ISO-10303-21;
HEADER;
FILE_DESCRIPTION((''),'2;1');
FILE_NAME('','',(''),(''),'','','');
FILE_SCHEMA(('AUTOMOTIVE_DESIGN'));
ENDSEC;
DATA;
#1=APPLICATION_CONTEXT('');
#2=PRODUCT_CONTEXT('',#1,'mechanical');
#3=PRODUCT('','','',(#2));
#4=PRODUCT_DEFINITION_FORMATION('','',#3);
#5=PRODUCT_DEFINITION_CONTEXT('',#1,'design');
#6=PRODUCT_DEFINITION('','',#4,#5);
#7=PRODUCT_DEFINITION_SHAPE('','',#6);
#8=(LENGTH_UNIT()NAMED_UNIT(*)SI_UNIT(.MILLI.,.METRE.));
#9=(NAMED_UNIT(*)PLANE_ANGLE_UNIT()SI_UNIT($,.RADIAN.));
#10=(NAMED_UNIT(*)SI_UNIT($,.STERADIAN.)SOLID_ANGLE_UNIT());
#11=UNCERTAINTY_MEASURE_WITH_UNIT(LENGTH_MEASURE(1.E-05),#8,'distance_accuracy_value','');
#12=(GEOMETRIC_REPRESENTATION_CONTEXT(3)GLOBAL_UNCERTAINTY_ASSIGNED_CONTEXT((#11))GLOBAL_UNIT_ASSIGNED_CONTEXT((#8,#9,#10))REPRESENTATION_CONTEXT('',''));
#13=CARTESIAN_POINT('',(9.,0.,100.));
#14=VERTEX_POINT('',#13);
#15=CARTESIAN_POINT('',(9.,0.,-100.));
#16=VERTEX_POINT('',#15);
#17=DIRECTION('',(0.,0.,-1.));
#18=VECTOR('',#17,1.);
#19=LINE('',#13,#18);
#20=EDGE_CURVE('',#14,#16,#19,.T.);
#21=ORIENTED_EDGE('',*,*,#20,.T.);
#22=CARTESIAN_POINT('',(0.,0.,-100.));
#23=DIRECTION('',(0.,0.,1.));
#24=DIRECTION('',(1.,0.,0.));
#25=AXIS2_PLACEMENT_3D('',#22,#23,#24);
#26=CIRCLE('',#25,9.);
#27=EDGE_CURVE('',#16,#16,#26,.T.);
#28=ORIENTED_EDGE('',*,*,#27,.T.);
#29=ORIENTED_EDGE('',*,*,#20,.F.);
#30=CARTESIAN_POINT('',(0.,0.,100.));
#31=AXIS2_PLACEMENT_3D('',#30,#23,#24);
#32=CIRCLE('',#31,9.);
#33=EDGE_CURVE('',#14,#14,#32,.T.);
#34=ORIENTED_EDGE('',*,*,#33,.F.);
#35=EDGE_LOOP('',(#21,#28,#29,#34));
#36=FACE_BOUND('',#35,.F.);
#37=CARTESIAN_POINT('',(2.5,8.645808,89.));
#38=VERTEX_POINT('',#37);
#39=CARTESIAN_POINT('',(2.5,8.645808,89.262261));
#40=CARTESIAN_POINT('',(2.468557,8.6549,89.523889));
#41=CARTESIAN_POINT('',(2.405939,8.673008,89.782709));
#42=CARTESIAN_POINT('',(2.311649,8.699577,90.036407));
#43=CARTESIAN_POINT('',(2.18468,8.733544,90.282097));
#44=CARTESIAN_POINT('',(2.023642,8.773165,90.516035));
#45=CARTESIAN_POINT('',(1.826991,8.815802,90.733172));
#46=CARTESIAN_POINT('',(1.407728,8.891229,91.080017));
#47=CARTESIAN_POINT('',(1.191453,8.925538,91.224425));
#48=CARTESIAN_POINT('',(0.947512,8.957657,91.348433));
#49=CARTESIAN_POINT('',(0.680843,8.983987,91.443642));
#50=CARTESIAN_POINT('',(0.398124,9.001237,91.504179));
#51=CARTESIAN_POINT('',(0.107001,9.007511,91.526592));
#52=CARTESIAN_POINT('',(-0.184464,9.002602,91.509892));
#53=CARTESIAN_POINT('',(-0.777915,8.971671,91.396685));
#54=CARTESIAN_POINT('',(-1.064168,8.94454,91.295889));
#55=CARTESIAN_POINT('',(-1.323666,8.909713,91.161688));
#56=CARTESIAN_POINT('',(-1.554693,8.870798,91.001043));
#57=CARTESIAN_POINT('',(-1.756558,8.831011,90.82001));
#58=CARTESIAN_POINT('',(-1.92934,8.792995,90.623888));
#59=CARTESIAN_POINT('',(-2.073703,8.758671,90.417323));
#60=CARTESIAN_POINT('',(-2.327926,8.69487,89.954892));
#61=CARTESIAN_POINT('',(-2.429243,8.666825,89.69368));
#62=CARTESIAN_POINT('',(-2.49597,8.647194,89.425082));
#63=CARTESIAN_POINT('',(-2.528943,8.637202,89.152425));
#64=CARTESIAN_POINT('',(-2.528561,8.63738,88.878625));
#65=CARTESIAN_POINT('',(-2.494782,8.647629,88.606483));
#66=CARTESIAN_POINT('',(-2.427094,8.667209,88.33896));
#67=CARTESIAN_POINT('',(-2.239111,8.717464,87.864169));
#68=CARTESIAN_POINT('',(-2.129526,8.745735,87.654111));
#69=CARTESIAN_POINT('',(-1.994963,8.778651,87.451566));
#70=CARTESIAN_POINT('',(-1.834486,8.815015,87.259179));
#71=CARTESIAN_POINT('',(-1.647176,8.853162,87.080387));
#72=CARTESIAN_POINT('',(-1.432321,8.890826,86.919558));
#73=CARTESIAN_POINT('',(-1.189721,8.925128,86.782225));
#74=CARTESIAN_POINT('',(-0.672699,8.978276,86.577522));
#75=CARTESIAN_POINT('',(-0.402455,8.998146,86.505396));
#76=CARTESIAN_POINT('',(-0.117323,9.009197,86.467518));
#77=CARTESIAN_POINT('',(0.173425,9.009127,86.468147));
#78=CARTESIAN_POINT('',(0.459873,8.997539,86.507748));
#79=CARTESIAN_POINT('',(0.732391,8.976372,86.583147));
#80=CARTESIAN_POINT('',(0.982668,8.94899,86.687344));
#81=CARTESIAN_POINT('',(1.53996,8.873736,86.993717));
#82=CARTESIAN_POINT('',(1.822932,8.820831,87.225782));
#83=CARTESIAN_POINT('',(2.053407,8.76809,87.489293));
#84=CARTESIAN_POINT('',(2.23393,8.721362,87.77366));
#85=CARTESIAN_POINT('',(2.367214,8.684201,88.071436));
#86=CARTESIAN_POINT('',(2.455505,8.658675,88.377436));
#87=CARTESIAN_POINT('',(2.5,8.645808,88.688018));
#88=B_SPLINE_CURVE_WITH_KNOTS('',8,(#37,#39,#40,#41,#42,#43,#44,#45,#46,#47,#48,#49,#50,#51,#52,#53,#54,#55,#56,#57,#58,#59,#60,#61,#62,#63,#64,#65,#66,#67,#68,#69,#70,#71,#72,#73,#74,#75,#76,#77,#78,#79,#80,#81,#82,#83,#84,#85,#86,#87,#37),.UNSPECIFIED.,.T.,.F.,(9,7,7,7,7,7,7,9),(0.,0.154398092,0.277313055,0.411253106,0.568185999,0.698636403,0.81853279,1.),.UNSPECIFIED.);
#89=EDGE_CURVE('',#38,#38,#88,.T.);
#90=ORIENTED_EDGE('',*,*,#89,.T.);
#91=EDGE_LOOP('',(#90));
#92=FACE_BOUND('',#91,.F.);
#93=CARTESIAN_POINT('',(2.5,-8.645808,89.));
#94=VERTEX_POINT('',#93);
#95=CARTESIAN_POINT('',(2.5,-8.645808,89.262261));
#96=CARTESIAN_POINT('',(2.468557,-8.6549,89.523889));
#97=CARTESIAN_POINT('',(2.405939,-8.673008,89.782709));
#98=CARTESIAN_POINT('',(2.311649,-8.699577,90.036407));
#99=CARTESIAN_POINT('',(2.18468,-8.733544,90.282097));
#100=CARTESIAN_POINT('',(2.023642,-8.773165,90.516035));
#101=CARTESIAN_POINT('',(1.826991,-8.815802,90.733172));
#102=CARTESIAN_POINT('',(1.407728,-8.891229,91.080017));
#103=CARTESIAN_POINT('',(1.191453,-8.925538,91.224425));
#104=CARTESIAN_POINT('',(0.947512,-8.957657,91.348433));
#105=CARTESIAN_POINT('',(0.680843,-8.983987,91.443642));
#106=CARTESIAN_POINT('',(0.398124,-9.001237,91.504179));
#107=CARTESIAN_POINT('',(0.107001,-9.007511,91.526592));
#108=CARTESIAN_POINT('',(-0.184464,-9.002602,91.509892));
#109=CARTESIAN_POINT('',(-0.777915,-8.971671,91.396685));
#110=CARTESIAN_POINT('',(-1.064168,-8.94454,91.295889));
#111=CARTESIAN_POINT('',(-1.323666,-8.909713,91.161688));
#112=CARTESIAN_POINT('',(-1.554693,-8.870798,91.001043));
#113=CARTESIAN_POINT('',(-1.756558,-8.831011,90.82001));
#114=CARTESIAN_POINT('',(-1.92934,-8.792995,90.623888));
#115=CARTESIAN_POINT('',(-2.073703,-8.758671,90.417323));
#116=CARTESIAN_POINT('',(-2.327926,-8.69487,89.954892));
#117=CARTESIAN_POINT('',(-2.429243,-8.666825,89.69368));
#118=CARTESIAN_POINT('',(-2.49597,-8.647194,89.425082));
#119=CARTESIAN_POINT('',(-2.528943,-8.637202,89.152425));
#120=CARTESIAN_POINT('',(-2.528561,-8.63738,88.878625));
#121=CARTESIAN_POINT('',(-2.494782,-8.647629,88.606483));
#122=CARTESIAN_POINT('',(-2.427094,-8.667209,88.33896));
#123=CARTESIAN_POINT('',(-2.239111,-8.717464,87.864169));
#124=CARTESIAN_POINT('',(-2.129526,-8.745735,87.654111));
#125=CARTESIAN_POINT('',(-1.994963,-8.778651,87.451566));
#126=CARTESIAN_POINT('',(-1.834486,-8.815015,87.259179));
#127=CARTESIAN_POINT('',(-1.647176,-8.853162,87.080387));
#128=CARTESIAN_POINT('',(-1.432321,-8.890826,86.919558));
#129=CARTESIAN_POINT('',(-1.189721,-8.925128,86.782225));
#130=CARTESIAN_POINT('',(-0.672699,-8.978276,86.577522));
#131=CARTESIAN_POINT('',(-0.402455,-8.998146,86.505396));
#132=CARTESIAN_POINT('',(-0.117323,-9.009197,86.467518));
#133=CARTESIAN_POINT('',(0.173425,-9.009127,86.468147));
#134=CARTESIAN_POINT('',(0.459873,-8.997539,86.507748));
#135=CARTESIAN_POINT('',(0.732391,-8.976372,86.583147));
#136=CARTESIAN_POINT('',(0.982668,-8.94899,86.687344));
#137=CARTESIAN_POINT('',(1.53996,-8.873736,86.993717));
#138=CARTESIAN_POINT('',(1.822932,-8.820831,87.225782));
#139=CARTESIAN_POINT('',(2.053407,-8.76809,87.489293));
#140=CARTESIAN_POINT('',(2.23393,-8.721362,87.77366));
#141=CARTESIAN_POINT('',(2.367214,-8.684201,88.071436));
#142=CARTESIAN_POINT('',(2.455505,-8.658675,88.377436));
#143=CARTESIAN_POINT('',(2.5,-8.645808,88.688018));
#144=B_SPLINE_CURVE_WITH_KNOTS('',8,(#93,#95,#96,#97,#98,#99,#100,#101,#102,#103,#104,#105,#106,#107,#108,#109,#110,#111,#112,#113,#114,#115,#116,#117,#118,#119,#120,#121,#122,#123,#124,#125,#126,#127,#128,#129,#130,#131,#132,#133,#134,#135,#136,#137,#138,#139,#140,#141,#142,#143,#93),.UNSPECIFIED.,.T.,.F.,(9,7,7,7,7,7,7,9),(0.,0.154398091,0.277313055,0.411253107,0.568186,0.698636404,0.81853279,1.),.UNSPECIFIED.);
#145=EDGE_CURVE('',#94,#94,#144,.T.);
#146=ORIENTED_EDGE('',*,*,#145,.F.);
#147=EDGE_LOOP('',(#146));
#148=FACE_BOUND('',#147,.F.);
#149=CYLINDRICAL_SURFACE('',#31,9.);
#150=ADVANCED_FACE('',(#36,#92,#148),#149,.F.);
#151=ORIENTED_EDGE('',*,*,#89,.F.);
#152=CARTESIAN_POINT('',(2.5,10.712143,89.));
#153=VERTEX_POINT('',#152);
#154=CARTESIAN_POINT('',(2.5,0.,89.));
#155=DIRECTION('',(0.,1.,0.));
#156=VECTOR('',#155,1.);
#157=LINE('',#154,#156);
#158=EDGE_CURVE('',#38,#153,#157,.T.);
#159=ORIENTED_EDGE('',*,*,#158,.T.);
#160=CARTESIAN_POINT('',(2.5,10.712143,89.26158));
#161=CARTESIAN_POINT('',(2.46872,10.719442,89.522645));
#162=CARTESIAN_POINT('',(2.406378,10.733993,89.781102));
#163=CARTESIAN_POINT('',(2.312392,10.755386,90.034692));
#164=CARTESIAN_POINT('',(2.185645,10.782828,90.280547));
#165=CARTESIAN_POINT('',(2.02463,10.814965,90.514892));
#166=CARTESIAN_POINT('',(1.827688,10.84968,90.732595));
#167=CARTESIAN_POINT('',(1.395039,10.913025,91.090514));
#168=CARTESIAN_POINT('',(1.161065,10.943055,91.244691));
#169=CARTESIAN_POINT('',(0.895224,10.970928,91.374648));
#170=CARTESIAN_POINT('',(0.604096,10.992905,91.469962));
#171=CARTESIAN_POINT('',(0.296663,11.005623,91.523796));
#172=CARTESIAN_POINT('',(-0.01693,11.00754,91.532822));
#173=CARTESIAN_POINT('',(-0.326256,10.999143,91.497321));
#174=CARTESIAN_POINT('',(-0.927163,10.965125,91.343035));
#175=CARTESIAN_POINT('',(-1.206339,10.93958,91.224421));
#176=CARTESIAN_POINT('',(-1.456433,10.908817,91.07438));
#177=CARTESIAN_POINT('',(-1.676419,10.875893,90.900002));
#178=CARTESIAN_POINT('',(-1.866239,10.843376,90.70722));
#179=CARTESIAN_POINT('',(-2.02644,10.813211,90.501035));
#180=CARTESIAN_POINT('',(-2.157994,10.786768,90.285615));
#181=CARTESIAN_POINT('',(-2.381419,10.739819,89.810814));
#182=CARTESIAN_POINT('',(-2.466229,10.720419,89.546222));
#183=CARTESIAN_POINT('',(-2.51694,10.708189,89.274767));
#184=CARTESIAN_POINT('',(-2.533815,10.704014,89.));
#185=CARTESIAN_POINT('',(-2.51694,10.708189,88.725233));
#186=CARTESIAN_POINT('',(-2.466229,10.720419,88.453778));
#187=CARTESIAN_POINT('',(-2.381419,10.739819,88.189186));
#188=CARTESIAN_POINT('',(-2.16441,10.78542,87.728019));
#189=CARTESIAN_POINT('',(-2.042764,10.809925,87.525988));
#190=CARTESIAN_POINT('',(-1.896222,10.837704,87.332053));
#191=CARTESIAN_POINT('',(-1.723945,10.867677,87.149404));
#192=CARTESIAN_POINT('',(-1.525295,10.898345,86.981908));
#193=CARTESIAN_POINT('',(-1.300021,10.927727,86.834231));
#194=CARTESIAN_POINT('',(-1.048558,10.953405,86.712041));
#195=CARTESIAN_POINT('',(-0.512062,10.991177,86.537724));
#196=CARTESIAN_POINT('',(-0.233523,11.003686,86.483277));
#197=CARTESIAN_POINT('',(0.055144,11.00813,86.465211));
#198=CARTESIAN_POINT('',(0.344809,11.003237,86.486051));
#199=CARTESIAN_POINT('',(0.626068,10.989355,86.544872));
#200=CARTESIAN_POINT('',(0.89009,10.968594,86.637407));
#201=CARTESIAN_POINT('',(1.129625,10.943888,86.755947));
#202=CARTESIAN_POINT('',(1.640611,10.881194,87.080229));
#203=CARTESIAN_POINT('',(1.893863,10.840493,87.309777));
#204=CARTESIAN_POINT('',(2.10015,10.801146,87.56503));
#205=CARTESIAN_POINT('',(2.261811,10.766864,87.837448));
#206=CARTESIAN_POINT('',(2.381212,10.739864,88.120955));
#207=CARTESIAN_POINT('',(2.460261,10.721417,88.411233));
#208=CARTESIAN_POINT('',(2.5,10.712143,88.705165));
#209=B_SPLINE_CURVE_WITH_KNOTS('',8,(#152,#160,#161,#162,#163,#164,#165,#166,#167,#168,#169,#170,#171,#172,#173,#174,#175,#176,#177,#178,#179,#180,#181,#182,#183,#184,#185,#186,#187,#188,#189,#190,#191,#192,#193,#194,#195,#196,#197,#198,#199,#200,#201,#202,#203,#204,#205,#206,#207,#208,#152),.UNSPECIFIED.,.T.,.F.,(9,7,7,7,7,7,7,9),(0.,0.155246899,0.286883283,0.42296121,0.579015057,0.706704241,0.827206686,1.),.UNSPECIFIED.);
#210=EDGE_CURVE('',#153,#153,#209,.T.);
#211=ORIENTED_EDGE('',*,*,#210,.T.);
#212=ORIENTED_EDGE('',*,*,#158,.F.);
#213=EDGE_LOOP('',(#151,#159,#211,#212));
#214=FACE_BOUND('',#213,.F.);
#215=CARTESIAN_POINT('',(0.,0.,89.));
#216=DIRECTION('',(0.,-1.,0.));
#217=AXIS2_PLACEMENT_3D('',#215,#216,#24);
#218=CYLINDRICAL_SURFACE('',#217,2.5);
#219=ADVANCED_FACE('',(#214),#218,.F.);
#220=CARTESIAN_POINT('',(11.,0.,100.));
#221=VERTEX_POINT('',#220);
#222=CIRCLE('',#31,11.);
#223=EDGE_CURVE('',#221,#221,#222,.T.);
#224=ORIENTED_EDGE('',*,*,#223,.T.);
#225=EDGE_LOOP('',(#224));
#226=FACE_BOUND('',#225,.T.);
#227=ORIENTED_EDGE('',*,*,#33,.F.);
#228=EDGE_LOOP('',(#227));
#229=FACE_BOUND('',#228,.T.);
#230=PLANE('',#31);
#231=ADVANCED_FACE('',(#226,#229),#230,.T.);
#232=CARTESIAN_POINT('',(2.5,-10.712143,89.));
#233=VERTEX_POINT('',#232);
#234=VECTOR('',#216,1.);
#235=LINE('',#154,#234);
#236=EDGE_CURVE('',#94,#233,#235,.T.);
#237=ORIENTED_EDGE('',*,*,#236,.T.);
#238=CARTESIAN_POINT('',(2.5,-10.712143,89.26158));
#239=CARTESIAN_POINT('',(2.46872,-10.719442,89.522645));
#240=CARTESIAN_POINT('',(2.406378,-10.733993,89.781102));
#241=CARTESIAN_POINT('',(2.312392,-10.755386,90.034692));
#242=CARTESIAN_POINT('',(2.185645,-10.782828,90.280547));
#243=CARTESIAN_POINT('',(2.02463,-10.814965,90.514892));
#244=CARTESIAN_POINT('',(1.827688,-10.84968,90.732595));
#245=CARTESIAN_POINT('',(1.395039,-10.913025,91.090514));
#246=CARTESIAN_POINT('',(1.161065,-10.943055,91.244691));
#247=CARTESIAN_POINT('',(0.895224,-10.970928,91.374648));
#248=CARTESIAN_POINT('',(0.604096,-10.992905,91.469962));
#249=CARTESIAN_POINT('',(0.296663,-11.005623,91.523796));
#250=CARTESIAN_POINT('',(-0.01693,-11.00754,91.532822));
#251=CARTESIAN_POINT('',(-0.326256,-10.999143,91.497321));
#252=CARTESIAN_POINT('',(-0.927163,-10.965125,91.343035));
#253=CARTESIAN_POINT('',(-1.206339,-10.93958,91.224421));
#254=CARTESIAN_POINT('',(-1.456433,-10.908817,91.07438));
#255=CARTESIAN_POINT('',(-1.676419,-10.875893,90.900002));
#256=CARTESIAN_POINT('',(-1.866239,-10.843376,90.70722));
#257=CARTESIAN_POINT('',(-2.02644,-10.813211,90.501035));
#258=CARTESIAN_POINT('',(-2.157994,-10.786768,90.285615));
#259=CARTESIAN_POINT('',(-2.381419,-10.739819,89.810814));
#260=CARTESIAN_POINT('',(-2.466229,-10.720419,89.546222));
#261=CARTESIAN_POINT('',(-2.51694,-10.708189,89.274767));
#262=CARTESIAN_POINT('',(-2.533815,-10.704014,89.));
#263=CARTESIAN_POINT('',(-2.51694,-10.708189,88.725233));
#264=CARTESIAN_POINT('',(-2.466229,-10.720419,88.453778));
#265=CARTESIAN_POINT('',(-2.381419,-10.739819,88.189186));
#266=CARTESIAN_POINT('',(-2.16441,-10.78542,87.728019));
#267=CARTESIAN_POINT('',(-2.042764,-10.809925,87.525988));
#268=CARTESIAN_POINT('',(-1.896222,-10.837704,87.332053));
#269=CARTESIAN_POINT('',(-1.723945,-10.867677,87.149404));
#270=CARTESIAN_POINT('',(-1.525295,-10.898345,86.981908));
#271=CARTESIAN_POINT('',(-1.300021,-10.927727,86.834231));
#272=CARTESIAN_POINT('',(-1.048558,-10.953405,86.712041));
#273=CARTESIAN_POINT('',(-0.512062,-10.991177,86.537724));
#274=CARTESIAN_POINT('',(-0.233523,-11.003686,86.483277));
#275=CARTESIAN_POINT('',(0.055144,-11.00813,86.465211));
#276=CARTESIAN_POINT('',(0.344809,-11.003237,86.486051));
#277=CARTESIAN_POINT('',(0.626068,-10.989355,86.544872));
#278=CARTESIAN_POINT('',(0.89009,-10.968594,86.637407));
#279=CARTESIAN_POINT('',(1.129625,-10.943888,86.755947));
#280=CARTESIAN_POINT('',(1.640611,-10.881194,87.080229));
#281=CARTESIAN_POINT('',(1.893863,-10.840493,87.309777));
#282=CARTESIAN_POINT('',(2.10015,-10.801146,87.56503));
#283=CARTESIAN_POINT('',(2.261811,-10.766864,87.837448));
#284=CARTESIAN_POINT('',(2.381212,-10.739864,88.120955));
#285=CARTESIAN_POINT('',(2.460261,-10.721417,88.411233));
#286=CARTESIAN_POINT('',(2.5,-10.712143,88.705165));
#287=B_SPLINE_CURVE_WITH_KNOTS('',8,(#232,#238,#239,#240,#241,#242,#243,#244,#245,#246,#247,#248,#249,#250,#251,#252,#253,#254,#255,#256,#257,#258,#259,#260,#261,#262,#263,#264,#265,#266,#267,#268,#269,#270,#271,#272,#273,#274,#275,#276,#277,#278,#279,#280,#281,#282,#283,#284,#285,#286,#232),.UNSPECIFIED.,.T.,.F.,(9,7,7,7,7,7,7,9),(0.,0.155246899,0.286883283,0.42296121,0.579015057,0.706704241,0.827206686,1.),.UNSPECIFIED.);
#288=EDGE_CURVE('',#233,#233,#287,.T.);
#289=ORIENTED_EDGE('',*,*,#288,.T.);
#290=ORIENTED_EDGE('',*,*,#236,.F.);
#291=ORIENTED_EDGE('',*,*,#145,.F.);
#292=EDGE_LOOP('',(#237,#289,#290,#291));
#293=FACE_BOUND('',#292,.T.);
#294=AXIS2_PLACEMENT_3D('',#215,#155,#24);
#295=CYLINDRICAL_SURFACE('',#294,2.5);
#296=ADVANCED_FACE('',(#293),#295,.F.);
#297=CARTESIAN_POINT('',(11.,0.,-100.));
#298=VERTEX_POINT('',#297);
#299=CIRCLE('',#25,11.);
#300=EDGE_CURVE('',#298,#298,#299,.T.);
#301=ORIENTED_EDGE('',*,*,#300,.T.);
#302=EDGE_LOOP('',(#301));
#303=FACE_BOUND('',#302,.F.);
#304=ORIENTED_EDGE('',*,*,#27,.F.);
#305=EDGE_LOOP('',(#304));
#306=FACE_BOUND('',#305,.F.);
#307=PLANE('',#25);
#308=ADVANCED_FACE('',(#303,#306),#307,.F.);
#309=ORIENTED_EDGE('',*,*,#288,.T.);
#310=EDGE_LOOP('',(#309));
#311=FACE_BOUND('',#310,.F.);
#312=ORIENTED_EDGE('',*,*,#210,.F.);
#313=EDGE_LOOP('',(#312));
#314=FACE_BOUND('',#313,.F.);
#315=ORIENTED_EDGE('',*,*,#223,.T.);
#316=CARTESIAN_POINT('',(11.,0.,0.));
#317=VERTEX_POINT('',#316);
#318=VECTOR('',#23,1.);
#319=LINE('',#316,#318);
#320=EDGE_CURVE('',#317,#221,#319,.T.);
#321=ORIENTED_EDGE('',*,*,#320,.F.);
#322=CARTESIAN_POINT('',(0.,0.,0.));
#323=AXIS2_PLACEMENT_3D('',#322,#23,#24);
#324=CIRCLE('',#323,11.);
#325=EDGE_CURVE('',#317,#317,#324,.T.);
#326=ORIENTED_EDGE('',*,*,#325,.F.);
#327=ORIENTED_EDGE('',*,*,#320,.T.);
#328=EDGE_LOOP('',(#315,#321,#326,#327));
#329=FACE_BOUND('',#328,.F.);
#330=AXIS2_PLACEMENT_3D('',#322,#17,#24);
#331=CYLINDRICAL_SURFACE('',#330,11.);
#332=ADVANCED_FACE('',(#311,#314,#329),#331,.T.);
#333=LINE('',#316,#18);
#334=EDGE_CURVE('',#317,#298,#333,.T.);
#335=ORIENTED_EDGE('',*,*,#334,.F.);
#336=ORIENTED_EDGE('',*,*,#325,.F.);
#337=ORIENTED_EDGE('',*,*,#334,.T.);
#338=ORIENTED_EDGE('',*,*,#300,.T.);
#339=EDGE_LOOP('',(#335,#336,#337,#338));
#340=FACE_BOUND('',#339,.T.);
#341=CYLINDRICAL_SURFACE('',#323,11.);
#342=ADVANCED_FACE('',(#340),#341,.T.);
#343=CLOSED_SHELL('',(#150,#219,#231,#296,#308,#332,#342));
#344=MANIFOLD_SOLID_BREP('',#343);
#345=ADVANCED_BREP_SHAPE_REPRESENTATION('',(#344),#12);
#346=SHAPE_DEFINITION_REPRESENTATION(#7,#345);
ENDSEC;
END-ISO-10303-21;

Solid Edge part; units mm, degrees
sketch "Sketch1" plane through (0, 0, 0) normal (0, 0, 1) x (1, 0, 0)
  circle A0 centre (0, 0) radius 11
extrude "Protrusion1" add sketch "Sketch1" along normal mid plane 200
sketch "Sketch2" plane through (0, 0, 100) normal (0, 0, 1) x (1, 0, 0)
  circle A0 centre (0, 0) radius 9
extrude "Cutout1" cut sketch "Sketch2" against normal up to vertex (200 mm away)
sketch "Sketch3" plane through (0, 0, 0) normal (0, -1, 0) x (1, 0, 0)
  circle A0 centre (0, 89) radius 2.5
extrude "ExtrudedCutout_2" cut sketch "Sketch3" along normal mid plane 30
